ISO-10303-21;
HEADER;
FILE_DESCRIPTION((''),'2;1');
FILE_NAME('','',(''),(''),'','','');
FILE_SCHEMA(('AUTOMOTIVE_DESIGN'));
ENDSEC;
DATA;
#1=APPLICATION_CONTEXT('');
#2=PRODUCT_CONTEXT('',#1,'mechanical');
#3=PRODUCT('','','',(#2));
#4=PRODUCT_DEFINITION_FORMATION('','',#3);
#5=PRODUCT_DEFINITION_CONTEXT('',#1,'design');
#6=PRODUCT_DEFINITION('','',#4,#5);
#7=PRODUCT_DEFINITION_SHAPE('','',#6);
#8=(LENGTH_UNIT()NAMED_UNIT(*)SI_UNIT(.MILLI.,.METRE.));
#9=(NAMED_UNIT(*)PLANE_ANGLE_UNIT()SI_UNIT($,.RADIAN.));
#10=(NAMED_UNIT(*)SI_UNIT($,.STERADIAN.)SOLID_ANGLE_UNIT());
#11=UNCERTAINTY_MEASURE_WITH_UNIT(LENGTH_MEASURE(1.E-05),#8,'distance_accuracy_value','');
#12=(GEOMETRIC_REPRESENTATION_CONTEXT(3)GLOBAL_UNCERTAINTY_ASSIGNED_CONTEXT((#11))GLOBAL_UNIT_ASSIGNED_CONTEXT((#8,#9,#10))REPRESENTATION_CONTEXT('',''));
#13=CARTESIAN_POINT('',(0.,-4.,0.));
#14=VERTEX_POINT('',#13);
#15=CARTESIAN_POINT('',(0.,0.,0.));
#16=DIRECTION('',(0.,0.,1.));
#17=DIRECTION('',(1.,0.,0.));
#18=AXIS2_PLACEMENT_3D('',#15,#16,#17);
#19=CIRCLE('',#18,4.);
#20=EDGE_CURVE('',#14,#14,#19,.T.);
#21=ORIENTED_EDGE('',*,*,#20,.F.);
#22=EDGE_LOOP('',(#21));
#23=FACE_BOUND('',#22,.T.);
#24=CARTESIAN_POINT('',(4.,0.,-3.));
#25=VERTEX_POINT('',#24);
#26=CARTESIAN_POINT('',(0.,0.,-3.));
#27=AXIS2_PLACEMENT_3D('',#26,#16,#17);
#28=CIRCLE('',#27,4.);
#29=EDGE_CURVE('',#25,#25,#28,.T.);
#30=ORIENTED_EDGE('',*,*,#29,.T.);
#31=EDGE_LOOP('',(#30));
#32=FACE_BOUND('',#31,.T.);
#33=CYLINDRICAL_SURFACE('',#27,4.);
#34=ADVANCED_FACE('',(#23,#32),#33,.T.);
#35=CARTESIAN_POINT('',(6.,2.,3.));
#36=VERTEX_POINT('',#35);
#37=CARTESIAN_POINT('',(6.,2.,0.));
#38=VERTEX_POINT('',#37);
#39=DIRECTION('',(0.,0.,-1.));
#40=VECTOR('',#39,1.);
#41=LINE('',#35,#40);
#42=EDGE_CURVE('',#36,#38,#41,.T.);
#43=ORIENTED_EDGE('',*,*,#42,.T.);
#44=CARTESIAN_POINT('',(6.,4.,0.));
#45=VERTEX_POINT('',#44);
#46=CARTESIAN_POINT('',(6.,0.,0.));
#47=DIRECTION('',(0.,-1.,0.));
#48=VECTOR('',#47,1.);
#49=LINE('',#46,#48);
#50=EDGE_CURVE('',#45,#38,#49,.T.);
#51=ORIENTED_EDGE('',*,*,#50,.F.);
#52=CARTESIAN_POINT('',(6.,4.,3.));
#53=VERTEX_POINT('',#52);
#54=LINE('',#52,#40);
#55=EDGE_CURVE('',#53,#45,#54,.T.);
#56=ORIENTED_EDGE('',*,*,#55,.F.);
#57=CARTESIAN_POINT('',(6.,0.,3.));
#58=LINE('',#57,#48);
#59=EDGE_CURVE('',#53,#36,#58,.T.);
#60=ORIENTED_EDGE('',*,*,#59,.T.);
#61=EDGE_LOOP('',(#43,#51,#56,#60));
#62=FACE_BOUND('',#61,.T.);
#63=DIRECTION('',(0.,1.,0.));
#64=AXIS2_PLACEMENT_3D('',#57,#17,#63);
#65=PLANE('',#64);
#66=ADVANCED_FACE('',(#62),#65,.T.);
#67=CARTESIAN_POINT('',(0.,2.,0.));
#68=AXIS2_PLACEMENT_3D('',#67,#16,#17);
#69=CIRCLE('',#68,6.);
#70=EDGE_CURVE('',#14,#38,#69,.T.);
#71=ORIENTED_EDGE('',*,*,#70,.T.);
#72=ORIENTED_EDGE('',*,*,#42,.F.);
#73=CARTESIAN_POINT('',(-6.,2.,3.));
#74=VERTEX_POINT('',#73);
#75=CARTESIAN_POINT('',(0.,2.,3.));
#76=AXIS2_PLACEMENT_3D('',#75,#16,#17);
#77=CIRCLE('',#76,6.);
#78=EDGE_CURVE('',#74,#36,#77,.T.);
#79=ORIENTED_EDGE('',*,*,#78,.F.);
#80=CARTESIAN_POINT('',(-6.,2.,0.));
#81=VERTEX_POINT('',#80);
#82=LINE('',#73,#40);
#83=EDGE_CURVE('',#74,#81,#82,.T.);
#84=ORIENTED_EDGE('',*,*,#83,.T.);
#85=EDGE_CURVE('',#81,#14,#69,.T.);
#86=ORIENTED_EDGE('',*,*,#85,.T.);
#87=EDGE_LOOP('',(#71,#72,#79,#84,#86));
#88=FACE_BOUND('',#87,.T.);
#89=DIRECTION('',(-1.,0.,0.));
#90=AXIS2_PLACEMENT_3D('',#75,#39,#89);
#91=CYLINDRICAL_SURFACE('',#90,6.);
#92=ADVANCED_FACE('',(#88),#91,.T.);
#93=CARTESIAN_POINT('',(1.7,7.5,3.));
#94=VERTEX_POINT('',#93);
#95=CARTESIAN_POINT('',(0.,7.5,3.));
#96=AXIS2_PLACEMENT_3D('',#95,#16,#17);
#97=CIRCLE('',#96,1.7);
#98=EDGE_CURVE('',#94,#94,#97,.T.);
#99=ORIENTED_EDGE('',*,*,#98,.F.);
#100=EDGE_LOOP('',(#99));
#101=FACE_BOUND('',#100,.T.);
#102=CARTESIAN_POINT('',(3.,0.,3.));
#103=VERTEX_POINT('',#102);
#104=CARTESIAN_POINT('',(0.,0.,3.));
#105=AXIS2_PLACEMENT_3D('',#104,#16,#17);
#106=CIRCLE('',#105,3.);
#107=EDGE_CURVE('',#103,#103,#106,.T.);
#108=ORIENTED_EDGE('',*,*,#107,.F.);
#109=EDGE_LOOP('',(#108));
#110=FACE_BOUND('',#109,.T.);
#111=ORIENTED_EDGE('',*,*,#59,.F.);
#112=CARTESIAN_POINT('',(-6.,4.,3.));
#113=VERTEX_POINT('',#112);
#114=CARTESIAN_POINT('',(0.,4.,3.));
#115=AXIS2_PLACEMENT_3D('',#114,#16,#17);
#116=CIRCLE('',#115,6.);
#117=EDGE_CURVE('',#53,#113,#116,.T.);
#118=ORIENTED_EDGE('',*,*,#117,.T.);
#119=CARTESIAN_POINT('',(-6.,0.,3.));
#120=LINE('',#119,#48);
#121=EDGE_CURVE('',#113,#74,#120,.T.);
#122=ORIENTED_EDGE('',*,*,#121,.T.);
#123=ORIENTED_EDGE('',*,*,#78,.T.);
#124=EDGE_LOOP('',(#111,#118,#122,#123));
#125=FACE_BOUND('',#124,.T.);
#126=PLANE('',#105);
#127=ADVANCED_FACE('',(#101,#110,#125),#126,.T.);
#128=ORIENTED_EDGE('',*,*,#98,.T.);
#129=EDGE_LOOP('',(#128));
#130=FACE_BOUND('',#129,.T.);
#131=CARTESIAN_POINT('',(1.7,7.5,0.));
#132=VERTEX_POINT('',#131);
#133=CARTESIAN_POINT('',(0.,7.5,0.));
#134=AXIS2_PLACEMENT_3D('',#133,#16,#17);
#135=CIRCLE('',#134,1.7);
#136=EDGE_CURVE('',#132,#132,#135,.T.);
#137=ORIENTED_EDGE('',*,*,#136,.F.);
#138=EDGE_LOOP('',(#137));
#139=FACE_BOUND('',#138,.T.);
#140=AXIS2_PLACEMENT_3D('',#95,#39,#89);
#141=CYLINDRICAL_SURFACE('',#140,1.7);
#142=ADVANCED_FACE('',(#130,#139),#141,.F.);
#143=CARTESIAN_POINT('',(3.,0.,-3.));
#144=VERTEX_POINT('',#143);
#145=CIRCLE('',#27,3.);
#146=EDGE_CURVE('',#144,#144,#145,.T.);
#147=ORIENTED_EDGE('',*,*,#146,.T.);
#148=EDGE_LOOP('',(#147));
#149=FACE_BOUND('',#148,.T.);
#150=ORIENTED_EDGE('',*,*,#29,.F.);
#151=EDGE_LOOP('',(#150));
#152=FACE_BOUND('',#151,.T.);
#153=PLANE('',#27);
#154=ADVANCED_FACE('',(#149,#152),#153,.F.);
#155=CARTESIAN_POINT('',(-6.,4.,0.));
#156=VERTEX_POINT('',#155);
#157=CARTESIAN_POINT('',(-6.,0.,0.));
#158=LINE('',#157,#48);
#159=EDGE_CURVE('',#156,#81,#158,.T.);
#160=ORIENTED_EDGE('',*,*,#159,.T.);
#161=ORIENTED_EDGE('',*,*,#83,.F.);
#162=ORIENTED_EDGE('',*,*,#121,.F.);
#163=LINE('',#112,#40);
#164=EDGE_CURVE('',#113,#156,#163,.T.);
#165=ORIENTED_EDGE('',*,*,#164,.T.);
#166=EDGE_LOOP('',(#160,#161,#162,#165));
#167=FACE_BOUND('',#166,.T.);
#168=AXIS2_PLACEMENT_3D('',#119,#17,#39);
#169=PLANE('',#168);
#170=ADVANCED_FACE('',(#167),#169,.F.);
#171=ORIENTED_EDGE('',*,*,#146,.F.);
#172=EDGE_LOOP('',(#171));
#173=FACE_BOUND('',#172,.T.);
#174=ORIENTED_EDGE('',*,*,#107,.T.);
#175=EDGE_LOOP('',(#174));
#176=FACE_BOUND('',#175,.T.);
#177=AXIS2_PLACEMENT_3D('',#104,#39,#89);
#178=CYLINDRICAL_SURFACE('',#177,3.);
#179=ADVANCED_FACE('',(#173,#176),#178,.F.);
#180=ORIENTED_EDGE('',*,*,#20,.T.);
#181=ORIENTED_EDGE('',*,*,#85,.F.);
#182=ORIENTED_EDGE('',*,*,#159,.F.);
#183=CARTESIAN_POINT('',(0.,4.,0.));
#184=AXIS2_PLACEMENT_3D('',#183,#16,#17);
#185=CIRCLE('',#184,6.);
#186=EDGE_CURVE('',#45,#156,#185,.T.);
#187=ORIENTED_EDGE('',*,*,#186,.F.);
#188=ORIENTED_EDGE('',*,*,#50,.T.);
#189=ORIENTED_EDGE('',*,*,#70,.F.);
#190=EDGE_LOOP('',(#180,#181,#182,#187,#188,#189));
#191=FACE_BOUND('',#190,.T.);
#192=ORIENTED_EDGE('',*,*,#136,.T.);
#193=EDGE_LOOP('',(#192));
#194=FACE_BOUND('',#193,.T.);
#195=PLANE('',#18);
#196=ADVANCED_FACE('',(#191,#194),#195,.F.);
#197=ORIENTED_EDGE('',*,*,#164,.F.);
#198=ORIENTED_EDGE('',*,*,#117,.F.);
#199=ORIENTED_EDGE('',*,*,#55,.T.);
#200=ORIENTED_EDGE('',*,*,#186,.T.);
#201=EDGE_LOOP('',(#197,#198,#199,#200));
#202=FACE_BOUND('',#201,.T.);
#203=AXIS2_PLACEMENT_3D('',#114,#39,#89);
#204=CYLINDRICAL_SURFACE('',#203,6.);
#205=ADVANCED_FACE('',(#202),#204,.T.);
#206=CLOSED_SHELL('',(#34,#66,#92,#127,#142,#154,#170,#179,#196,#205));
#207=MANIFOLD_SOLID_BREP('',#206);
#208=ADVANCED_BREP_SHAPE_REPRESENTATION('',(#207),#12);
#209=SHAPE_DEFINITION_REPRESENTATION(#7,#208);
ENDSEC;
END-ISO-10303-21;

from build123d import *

# Parameters (mm, degrees)
SKETCH1_R           = 1.7
SKETCH1_R_2         = 3
BOSS_EXTRUDE1_DEPTH = 3
BOSS_EXTRUDE2_START = -3
SKETCH1_3_R         = 4
SKETCH1_3_R_2       = 3
BOSS_EXTRUDE2_DEPTH = 3


with BuildPart() as part:
    # Sketch1 → Boss-Extrude1 (new body)
    with BuildSketch(Plane.XY):
        with BuildLine():
            Line((-6, 4), (-6, 2))
            ThreePointArc((-6, 2), (0, -4), (6, 2))
            Line((6, 2), (6, 4))
            ThreePointArc((6, 4), (0, 10), (-6, 4))
        make_face()
        with Locations((0, 7.5)):
            Circle(SKETCH1_R, mode=Mode.SUBTRACT)
        Circle(SKETCH1_R_2, mode=Mode.SUBTRACT)
    extrude(amount=BOSS_EXTRUDE1_DEPTH)

    # Sketch1<3> → Boss-Extrude2 (add)
    with BuildSketch(Plane.XY.offset(BOSS_EXTRUDE2_START)):
        Circle(SKETCH1_3_R)
        Circle(SKETCH1_3_R_2, mode=Mode.SUBTRACT)
    extrude(amount=BOSS_EXTRUDE2_DEPTH)


solid = part.part
